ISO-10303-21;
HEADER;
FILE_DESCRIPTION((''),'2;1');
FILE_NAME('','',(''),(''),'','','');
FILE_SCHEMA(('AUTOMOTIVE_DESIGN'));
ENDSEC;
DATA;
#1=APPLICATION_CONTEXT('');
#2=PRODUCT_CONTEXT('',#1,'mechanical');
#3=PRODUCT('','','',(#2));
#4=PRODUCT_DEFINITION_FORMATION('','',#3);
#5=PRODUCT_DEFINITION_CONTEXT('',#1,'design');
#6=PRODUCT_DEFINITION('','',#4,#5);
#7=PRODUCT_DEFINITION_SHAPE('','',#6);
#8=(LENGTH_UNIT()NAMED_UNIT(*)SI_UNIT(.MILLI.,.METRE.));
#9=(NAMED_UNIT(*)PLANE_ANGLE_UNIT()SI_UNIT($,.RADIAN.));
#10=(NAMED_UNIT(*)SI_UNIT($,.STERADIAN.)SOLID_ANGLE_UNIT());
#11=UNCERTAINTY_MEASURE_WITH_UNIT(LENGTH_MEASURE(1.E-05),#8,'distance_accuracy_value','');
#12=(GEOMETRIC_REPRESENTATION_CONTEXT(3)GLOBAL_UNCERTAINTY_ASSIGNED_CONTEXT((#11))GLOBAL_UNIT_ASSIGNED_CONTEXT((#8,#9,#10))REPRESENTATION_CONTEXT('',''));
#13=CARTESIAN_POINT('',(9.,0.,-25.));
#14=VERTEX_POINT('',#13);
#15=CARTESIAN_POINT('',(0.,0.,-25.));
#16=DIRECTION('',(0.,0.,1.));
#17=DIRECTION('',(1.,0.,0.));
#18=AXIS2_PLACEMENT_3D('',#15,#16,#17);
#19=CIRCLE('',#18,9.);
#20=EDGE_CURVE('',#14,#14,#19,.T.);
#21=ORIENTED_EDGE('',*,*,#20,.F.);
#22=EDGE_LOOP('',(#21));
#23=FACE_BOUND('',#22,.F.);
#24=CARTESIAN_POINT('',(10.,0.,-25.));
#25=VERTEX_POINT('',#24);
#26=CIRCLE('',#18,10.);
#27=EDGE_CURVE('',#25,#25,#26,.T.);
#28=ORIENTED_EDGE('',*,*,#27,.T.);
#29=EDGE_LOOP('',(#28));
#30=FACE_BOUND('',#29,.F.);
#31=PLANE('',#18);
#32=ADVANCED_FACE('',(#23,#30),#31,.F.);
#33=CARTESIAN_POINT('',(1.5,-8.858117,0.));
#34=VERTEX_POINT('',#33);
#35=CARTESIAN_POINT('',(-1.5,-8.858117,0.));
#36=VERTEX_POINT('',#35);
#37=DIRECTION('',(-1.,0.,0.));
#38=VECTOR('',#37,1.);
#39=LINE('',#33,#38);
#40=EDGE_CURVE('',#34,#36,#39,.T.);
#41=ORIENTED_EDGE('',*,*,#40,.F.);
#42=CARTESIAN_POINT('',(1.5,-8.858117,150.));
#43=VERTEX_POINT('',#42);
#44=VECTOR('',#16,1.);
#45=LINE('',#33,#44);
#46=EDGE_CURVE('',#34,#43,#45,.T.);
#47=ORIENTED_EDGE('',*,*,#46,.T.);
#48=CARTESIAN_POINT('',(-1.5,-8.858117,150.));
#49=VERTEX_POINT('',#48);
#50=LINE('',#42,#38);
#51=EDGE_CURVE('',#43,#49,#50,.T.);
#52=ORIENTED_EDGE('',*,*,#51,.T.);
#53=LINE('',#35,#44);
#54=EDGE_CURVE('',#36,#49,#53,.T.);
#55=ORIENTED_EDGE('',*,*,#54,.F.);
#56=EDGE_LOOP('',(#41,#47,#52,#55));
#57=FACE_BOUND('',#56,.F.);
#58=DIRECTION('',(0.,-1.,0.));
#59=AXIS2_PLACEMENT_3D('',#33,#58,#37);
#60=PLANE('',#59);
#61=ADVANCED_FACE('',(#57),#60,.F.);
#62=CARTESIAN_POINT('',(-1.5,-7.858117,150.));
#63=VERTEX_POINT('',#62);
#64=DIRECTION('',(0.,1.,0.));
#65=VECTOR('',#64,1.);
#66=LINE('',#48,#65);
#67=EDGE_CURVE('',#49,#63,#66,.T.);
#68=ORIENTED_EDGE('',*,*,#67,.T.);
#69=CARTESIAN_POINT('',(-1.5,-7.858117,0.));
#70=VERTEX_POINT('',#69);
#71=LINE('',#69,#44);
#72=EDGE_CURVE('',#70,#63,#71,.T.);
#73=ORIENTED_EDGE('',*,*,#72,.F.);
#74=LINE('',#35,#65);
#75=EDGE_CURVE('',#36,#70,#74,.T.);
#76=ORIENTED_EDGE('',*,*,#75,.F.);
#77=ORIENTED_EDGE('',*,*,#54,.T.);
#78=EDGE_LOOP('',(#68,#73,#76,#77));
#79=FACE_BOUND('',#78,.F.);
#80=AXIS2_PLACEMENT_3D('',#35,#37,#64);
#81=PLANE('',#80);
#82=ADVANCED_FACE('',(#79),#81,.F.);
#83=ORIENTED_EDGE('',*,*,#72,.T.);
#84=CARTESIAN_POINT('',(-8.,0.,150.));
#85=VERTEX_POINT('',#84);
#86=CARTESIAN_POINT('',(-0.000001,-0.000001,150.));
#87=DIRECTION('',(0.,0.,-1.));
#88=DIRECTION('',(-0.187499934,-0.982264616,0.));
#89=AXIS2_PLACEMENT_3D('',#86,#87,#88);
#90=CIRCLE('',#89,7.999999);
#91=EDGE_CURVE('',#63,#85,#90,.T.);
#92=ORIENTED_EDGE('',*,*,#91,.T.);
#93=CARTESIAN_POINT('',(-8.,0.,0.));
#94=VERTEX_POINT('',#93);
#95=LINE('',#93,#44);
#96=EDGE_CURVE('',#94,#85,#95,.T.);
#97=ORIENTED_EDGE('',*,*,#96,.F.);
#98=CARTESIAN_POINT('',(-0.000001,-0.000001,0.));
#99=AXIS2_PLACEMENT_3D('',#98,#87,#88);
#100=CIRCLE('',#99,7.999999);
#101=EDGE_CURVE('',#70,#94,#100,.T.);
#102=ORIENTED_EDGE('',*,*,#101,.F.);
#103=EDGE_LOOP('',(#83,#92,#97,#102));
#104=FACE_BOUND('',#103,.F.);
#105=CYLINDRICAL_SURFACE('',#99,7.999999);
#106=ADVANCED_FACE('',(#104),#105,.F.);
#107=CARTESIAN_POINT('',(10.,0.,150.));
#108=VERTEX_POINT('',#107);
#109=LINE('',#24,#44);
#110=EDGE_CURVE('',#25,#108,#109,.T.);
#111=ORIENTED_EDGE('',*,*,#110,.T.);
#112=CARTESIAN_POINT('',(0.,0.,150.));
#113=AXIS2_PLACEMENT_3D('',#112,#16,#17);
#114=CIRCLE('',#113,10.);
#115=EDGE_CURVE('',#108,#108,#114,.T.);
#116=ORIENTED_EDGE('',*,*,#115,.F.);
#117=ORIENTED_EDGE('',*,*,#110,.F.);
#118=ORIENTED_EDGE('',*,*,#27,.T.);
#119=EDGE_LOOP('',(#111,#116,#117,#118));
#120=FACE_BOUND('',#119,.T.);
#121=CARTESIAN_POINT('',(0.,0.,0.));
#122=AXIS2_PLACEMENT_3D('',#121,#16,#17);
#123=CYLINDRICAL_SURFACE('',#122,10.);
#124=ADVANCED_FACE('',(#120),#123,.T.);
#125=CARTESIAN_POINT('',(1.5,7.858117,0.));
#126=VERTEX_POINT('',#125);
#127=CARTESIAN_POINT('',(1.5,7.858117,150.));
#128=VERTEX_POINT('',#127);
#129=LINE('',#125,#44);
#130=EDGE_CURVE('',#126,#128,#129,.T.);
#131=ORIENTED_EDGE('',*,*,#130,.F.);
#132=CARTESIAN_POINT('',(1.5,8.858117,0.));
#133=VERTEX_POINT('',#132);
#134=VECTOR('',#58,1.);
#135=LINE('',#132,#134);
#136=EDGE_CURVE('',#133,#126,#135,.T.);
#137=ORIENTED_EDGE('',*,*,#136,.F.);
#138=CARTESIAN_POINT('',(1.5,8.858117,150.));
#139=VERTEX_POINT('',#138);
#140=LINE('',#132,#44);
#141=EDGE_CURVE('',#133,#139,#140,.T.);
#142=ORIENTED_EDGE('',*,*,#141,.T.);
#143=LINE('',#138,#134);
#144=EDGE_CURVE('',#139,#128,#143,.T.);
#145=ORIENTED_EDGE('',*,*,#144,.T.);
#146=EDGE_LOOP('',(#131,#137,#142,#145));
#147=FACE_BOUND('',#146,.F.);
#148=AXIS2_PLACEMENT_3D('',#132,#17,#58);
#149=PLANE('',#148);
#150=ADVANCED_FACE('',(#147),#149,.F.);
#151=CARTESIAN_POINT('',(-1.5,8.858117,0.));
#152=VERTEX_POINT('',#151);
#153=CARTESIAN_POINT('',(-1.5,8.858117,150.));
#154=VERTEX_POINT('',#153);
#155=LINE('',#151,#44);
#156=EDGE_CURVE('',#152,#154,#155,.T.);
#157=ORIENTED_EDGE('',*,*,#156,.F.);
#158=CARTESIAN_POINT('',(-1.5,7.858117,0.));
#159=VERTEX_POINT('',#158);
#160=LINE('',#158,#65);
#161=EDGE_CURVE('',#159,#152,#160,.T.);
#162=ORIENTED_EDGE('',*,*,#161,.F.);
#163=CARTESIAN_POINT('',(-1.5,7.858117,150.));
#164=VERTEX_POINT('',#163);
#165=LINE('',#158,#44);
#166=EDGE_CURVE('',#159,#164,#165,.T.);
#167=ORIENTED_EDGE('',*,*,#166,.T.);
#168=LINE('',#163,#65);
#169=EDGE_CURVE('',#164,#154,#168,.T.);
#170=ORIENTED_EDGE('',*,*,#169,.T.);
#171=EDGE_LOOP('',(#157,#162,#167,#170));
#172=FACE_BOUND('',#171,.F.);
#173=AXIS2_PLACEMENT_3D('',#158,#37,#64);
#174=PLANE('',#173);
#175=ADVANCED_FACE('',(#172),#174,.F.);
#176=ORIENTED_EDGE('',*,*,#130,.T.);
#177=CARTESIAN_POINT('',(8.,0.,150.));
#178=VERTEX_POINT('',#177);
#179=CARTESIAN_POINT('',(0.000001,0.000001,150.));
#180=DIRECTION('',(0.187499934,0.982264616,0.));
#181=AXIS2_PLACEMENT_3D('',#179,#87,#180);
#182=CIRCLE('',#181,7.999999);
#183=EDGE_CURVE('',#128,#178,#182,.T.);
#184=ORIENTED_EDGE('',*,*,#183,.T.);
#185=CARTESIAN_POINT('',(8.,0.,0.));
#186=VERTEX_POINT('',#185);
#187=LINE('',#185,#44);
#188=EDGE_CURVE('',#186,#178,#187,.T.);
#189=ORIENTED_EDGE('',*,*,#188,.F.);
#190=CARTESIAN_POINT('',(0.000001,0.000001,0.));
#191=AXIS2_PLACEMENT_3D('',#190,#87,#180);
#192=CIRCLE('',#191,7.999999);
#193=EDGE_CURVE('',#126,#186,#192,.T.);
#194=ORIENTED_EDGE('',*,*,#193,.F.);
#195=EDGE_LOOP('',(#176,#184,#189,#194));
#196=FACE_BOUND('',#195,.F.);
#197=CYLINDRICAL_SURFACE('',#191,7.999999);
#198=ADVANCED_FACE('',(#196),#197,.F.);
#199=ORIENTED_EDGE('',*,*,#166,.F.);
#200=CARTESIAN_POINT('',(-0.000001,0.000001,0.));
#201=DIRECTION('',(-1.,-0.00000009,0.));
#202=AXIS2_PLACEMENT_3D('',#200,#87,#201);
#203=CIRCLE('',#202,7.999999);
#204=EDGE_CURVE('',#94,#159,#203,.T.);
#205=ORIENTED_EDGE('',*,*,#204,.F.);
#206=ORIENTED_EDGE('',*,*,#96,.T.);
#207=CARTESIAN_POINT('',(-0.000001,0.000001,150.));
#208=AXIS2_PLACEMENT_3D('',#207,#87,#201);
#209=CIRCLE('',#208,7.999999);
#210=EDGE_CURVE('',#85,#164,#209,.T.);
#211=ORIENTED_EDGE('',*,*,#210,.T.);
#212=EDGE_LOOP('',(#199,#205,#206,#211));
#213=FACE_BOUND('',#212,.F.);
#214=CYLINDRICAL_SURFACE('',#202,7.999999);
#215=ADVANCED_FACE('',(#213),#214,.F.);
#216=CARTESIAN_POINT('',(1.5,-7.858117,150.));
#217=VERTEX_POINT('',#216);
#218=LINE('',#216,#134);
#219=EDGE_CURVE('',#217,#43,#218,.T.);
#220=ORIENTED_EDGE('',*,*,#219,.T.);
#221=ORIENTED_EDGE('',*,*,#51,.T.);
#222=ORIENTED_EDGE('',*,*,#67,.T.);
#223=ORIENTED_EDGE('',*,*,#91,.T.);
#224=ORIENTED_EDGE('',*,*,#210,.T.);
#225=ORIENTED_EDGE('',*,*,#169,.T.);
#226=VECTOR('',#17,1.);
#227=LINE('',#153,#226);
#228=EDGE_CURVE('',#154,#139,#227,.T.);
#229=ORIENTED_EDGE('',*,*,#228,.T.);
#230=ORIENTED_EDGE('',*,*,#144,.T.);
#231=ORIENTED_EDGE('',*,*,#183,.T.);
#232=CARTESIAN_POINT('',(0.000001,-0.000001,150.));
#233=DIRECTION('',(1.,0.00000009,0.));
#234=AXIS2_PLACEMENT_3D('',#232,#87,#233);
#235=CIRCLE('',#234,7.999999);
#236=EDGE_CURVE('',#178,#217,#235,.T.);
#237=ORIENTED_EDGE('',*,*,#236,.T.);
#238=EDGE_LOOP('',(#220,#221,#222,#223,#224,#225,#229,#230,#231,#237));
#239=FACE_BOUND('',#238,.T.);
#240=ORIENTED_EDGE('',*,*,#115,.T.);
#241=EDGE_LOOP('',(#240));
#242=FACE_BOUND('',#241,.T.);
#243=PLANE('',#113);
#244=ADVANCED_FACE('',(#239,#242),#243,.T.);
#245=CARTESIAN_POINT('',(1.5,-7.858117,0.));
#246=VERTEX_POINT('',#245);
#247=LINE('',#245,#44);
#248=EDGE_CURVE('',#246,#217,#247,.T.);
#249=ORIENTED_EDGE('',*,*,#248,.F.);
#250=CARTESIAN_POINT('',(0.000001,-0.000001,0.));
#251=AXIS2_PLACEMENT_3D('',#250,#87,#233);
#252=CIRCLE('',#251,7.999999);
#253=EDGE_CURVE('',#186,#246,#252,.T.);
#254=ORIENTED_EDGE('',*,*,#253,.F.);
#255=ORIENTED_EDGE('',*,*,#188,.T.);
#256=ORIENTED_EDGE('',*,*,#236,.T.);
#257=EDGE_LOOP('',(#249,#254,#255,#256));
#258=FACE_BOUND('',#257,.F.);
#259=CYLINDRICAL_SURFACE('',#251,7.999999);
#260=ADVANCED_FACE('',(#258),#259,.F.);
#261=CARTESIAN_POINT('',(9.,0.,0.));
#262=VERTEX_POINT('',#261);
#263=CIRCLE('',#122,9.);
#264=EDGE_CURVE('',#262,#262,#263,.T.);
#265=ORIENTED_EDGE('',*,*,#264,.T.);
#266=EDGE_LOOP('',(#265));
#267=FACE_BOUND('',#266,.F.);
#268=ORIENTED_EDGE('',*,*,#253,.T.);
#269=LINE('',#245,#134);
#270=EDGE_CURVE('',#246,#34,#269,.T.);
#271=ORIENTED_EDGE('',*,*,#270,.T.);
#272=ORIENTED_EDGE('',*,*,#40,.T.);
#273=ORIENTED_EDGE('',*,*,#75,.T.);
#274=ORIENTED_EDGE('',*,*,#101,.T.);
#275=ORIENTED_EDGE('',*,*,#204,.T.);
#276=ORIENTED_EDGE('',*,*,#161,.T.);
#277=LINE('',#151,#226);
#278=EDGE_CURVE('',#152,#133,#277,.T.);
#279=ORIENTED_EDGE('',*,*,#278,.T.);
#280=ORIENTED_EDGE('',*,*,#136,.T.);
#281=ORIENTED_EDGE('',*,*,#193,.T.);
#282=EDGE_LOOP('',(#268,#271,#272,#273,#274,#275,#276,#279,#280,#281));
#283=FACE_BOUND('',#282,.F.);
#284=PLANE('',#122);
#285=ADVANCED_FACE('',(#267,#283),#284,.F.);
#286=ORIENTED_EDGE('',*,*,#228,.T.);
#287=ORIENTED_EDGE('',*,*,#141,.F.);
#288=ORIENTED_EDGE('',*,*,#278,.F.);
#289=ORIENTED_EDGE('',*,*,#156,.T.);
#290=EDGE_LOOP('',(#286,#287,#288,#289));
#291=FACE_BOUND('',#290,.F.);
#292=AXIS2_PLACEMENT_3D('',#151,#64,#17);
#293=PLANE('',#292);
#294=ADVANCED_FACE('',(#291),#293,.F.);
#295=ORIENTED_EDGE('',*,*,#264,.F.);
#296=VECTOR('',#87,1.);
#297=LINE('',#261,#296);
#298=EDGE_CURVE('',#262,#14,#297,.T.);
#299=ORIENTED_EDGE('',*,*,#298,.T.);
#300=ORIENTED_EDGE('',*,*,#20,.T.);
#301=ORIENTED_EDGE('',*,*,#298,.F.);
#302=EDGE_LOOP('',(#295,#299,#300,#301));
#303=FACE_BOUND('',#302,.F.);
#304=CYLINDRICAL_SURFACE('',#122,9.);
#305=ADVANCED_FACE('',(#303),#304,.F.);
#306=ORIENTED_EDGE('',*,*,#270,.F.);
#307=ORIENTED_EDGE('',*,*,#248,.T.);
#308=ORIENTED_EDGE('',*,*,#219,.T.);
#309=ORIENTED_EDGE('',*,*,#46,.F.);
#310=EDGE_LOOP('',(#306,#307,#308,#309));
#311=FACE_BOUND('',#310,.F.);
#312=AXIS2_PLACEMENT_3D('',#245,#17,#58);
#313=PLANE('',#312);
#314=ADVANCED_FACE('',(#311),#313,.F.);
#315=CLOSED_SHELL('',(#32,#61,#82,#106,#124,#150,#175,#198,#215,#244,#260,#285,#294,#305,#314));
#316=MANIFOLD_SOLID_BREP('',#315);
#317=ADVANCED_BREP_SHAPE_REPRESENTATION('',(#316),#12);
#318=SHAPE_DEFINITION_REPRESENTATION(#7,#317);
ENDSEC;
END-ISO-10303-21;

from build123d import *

# Parameters (mm, degrees)
F0_R     = 10
F0_R_2   = 9
F1_DEPTH = 150
F2_DEPTH = 25


with BuildPart() as f1:
    # F0 (on Top) → F1 (new body)
    with BuildSketch(Plane.XY):
        Circle(F0_R)
        Circle(F0_R_2, mode=Mode.SUBTRACT)
        Circle(F0_R_2)
        with BuildLine():
            ThreePointArc((1.5, 7.858117), (6.164414, 5.09902), (8, 0))
            ThreePointArc((8, 0), (6.164414, -5.09902), (1.5, -7.858117))
            Line((1.5, -7.858117), (1.5, -8.858117))
            Line((1.5, -8.858117), (-1.5, -8.858117))
            Line((-1.5, -8.858117), (-1.5, -7.858117))
            ThreePointArc((-1.5, -7.858117), (-6.164414, -5.09902), (-8, 0))
            ThreePointArc((-8, 0), (-6.164414, 5.09902), (-1.5, 7.858117))
            Line((-1.5, 7.858117), (-1.5, 8.858117))
            Line((-1.5, 8.858117), (1.5, 8.858117))
            Line((1.5, 8.858117), (1.5, 7.858117))
        make_face(mode=Mode.SUBTRACT)
    extrude(amount=F1_DEPTH)

    # F0 (on Top) → F2 (join)
    with BuildSketch(Plane.XY):
        Circle(F0_R)
        Circle(F0_R_2, mode=Mode.SUBTRACT)
    extrude(amount=-F2_DEPTH)


solid = f1.part
